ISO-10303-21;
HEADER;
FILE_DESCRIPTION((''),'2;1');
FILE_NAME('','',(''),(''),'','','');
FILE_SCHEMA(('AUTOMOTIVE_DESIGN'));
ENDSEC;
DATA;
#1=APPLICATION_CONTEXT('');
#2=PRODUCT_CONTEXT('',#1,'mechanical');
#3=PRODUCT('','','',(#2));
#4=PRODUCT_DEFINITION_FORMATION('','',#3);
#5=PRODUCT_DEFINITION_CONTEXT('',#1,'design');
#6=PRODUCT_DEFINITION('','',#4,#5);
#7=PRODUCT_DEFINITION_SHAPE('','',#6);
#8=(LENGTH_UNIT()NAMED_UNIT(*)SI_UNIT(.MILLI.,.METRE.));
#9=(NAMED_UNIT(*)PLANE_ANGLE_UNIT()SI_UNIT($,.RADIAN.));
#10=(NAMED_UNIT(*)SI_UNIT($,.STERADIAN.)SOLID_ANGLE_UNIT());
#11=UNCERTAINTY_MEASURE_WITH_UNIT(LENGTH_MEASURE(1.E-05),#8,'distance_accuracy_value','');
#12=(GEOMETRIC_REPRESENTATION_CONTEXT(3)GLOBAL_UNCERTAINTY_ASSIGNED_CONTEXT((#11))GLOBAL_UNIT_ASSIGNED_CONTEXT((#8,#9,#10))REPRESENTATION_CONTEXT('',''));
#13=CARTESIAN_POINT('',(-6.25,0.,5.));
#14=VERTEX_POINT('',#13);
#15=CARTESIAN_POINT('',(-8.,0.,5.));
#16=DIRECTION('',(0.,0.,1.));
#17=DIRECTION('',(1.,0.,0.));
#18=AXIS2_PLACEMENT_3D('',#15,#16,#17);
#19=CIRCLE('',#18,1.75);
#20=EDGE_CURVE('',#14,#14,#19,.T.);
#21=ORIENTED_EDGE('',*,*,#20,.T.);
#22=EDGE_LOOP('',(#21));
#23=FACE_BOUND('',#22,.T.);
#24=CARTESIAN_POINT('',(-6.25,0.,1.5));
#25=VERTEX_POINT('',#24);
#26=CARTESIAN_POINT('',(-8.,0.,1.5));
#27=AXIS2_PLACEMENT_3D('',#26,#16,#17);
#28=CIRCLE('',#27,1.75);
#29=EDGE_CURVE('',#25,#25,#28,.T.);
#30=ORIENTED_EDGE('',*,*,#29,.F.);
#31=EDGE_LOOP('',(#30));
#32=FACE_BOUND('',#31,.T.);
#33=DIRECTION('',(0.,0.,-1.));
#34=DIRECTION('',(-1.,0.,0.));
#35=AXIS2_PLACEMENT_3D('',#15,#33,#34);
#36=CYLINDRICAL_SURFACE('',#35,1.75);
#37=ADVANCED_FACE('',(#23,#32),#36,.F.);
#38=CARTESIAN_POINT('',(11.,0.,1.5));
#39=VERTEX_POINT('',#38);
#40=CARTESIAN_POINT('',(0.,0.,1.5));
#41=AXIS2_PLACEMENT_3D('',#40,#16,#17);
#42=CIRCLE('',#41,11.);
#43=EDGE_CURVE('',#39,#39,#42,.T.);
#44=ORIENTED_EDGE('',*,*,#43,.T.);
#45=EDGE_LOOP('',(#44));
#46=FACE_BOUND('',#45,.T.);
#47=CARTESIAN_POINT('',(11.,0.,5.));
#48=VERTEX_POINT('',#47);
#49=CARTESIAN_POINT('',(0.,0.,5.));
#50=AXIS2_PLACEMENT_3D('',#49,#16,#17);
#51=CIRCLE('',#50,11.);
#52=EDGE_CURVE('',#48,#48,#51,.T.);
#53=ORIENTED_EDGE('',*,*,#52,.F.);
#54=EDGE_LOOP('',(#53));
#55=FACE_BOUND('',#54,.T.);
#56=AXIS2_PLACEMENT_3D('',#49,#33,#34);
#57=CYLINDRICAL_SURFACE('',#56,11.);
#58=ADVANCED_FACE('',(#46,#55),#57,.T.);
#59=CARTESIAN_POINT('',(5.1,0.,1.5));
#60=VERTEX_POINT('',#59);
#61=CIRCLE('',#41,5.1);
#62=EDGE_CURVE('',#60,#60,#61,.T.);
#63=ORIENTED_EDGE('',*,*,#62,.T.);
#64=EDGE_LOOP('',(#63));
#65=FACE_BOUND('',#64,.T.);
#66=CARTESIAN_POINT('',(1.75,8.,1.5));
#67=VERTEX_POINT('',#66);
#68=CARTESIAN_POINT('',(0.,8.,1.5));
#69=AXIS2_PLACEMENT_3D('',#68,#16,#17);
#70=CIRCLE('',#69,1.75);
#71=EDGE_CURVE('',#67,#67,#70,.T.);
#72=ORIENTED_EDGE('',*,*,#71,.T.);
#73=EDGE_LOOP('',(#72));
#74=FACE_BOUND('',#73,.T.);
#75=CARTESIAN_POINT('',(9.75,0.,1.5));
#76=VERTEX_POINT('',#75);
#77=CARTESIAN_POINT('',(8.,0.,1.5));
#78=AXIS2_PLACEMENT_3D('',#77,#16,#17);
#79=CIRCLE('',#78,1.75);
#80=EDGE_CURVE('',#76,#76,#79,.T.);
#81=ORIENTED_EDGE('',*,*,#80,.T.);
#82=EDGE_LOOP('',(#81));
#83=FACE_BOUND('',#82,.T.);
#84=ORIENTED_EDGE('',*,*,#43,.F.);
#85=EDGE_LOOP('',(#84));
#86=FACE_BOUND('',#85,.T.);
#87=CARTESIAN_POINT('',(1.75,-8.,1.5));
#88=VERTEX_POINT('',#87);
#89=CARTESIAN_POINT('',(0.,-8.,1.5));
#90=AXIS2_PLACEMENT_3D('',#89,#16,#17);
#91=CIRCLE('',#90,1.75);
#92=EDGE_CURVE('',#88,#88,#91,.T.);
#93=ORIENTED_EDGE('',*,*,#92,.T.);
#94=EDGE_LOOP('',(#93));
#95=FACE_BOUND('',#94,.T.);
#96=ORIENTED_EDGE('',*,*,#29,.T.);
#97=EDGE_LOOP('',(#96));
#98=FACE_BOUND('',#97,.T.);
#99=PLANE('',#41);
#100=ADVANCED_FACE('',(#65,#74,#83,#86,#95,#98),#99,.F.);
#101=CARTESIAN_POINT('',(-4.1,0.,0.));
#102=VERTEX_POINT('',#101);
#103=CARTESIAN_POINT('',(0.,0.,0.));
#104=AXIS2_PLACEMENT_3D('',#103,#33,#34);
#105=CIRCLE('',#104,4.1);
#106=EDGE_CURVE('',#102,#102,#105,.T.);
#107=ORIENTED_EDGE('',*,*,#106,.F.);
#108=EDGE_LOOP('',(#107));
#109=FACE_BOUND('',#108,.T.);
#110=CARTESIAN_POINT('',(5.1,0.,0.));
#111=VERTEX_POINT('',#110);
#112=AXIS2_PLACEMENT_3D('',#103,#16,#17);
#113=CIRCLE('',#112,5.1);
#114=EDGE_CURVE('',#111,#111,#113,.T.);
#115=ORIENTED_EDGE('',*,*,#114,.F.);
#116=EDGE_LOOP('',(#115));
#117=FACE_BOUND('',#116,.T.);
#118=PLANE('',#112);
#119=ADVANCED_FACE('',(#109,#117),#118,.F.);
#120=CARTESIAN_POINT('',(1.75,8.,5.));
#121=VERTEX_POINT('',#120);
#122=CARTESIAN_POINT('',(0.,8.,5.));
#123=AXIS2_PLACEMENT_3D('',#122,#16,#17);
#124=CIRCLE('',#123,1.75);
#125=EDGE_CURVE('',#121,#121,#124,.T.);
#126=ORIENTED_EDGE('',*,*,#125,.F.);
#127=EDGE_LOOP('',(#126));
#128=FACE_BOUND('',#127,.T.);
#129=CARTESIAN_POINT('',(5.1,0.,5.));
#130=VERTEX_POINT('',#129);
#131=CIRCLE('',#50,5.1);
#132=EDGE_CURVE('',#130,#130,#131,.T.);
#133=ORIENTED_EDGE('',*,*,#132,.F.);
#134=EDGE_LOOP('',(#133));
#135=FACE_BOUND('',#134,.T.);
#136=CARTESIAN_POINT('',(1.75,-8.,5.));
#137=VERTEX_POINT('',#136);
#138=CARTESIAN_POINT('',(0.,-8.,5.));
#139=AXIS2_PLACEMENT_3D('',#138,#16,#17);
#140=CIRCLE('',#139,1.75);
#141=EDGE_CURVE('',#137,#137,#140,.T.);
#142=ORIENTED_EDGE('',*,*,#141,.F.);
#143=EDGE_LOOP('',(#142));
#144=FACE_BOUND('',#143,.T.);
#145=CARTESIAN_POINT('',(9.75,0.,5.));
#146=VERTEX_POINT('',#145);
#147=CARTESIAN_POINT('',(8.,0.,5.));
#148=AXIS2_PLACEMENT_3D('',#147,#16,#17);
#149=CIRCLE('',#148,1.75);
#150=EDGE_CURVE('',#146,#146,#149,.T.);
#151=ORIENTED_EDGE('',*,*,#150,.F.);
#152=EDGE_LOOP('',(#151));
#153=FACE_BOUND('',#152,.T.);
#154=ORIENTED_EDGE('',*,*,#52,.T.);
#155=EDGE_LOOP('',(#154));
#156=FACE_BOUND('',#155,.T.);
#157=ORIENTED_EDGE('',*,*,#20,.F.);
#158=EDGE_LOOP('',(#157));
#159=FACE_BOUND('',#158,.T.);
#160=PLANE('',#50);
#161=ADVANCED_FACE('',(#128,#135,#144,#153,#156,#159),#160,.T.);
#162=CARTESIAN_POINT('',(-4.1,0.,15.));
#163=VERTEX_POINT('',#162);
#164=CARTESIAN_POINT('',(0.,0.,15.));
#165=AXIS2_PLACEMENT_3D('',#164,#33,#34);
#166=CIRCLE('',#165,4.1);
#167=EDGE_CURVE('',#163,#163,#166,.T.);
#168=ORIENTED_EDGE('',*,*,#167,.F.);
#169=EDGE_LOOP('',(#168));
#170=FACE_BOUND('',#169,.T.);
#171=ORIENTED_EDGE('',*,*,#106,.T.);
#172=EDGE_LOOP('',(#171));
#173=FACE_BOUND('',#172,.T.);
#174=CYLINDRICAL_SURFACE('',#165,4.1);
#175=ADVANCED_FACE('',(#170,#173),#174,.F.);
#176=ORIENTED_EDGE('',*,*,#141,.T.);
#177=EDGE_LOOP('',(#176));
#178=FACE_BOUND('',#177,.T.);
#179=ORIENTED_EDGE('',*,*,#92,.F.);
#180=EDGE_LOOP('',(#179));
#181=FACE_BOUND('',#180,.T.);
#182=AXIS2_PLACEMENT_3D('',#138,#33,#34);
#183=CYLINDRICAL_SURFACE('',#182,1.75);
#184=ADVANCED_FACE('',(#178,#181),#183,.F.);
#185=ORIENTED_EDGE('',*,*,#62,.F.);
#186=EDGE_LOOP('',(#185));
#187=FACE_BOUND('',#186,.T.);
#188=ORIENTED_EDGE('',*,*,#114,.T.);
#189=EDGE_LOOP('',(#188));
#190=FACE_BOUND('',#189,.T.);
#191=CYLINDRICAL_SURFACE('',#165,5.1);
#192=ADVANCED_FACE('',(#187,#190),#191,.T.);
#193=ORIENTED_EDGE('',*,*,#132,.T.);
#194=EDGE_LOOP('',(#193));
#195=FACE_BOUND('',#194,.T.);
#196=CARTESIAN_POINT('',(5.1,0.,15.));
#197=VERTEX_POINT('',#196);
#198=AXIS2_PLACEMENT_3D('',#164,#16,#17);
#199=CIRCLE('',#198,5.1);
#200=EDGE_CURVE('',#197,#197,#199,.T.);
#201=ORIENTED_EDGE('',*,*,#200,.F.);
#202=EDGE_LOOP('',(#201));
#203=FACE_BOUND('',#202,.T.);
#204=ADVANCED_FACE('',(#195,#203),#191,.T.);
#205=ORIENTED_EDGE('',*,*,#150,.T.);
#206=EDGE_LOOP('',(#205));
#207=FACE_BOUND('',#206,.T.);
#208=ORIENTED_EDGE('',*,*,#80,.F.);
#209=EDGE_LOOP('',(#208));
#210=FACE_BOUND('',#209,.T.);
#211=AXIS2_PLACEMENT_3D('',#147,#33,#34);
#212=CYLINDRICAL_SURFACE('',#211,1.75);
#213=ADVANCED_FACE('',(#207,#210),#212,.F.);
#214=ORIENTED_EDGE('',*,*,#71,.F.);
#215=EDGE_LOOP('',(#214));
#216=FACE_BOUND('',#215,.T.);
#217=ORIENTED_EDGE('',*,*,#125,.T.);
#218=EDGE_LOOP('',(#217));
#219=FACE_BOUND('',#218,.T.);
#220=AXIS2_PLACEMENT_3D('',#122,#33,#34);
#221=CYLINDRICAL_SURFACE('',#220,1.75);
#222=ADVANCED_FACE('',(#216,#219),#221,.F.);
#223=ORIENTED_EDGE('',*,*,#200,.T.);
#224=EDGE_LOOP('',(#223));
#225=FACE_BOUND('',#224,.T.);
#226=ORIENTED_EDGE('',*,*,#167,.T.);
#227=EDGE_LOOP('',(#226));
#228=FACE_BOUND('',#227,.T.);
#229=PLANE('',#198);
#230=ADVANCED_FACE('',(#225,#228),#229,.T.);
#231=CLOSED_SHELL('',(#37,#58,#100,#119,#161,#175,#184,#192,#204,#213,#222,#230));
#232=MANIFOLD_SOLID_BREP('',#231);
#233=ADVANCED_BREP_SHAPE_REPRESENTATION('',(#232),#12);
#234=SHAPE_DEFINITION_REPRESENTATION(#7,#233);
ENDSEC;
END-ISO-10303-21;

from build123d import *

# Parameters (mm, degrees)
SKETCH1_R           = 5.1
BOSS_EXTRUDE1_DEPTH = 15
SKETCH2_R           = 11
SKETCH2_R_2         = 1.75
BOSS_EXTRUDE2_DEPTH = 3.5
SKETCH3_R           = 4.1
CUT_EXTRUDE1_DEPTH  = 22.610182785


with BuildPart() as part:
    # Sketch1 → Boss-Extrude1 (new body)
    with BuildSketch(Plane.XY):
        Circle(SKETCH1_R)
    extrude(amount=BOSS_EXTRUDE1_DEPTH)

    # Sketch2 → Boss-Extrude2 (add)
    with BuildSketch(Plane.XY.offset(1.5)):
        Circle(SKETCH2_R)
        with Locations((0, 8)):
            Circle(SKETCH2_R_2, mode=Mode.SUBTRACT)
        with Locations((8, 0)):
            Circle(SKETCH2_R_2, mode=Mode.SUBTRACT)
        with Locations((0, -8)):
            Circle(SKETCH2_R_2, mode=Mode.SUBTRACT)
        with Locations((-8, 0)):
            Circle(SKETCH2_R_2, mode=Mode.SUBTRACT)
    extrude(amount=BOSS_EXTRUDE2_DEPTH)

    # Sketch3 → Cut-Extrude1 (cut, through all)
    with BuildSketch(Plane(origin=(0, 0, 0), x_dir=(-1, 0, 0), z_dir=(0, 0, -1))):
        Circle(SKETCH3_R)
    extrude(amount=-CUT_EXTRUDE1_DEPTH, mode=Mode.SUBTRACT)


solid = part.part
